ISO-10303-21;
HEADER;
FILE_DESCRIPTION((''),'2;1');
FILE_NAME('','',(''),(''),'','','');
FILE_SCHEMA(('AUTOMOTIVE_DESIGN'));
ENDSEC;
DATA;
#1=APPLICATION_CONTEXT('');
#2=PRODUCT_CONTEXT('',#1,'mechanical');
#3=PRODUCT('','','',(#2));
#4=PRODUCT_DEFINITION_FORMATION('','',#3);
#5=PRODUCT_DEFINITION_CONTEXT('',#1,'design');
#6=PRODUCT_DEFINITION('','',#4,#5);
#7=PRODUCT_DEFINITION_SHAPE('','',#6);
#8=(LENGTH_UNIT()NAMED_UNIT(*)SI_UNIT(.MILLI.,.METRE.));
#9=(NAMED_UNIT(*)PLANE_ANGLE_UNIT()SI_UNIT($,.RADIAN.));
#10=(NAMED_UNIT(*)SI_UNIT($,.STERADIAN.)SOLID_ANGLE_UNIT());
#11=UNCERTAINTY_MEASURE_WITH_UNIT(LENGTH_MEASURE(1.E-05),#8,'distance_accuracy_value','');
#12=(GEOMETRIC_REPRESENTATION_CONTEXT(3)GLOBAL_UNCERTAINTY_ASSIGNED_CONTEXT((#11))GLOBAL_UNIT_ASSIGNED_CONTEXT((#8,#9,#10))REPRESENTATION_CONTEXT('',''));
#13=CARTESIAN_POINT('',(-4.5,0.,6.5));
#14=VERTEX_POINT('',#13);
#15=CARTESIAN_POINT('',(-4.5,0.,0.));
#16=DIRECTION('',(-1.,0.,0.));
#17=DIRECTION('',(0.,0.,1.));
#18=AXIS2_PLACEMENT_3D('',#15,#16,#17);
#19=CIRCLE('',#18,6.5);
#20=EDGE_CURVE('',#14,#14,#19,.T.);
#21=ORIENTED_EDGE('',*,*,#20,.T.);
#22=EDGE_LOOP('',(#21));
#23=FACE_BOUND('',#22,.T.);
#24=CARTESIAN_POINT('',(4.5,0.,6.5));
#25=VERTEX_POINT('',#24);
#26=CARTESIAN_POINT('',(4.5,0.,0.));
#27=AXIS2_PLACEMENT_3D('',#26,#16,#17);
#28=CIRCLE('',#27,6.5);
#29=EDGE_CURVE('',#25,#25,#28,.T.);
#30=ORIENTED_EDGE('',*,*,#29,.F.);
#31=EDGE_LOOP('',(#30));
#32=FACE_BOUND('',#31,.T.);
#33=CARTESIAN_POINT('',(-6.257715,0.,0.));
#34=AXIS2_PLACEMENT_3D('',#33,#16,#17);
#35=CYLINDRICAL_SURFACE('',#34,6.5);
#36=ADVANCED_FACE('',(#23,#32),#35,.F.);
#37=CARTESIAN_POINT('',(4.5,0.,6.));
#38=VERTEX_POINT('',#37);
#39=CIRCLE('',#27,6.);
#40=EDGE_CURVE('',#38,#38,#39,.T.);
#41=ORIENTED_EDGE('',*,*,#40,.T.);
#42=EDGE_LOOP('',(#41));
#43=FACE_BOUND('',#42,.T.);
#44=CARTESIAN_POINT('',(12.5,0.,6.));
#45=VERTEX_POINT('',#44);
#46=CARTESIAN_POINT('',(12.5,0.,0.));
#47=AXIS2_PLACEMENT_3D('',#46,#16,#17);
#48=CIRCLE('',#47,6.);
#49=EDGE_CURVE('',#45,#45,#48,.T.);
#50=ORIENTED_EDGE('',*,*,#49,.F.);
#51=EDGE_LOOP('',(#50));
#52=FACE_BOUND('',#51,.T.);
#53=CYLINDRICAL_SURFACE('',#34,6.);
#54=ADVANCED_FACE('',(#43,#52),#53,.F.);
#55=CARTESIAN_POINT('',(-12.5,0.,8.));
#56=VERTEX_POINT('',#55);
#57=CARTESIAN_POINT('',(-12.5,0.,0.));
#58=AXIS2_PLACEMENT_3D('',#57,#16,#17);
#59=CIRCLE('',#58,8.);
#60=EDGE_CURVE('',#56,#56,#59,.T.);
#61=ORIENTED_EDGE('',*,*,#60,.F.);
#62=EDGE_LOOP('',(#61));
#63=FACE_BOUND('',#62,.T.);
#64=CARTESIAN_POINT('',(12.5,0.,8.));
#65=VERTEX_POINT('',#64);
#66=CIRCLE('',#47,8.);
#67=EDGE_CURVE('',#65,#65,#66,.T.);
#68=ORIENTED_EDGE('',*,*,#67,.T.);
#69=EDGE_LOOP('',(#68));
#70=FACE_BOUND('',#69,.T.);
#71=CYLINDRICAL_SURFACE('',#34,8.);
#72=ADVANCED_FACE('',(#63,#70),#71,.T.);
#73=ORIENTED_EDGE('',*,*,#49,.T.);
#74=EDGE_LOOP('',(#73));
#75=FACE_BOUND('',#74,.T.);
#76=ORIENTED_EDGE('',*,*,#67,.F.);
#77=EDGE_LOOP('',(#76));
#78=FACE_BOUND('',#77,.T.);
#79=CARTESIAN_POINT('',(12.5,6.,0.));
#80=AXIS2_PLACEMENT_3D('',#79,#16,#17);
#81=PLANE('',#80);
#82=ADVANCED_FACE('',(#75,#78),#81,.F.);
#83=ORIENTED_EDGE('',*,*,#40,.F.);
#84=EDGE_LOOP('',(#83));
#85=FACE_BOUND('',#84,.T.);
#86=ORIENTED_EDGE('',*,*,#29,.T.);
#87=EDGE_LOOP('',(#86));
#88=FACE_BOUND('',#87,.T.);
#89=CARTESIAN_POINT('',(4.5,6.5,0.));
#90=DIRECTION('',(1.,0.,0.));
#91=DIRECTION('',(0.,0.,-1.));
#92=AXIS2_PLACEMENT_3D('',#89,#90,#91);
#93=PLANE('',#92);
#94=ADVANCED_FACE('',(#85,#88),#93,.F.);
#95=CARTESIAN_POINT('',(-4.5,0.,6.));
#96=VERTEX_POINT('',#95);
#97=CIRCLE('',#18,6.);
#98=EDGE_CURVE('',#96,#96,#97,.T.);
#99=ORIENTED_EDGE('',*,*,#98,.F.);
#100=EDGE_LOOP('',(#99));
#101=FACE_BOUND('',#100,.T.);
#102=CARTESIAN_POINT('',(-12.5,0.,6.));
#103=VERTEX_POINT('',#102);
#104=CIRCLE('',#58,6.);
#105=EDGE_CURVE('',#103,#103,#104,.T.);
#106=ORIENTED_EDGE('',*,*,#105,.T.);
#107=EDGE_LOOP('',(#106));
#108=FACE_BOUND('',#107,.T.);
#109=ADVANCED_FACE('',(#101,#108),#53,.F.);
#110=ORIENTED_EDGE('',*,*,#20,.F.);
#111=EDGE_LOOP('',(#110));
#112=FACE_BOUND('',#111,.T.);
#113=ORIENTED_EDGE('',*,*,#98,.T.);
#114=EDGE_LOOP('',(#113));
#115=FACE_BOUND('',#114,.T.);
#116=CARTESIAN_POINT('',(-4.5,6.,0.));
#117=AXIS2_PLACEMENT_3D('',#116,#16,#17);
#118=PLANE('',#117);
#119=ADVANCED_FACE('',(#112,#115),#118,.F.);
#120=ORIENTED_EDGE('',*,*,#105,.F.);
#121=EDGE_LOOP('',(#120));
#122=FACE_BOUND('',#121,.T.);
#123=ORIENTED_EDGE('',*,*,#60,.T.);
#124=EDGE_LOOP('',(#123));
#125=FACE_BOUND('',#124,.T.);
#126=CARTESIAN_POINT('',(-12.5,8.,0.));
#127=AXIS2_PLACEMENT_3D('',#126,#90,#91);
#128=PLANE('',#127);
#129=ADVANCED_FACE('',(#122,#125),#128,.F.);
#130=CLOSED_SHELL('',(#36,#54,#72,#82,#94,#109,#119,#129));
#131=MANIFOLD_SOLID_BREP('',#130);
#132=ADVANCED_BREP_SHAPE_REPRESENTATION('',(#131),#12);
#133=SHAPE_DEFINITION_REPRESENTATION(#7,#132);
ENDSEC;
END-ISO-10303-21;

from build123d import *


with BuildPart() as part:
    # Esboço1 → Revolução1 (revolve)
    with BuildSketch(Plane.XY, mode=Mode.PRIVATE) as revolu_o1_sk:
        Polygon((-12.5, 6), (-4.5, 6), (-4.5, 6.5), (4.5, 6.5), (4.5, 6), (12.5, 6), (12.5, 8), (-12.5, 8), align=None)
    revolve(revolu_o1_sk.sketch.rotate(Axis((-6.257715372, 0, 0), (1, 0, 0)), 90), axis=Axis((-6.257715372, 0, 0), (1, 0, 0)))


solid = part.part
